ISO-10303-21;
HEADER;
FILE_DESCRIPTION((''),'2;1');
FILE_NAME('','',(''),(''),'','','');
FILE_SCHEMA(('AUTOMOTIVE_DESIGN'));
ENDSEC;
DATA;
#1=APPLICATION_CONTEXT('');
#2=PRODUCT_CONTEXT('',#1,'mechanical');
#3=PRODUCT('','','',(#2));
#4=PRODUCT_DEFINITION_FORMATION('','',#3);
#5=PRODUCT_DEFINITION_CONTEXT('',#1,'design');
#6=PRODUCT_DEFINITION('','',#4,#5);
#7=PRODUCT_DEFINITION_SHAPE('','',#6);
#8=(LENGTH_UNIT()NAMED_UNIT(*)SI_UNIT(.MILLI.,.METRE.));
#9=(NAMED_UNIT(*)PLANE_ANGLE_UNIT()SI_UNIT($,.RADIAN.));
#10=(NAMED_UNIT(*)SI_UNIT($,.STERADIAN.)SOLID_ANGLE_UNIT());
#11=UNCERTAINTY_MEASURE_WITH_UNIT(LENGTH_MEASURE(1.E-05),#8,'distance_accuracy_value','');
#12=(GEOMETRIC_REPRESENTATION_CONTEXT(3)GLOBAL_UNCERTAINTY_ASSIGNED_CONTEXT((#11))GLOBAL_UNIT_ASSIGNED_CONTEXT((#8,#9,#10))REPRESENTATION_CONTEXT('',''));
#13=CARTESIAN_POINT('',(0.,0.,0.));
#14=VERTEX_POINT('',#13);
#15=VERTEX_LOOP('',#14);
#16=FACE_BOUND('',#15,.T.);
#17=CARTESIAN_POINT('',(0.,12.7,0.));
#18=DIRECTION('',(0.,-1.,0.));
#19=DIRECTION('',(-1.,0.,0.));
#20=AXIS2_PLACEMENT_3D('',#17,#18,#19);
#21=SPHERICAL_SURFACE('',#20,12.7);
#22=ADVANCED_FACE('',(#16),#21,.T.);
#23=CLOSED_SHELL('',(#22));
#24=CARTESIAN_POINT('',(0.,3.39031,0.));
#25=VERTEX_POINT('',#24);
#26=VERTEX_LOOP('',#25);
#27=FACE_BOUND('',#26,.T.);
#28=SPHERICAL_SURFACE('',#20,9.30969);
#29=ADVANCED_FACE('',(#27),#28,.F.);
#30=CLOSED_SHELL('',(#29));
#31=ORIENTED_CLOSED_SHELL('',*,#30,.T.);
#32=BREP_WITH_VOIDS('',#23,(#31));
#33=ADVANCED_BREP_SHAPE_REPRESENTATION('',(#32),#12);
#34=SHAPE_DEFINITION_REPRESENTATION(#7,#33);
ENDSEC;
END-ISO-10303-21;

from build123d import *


with BuildPart() as part:
    # Croquis1 → Revolución1 (revolve)
    with BuildSketch(Plane.XY):
        with BuildLine():
            Line((0, 25.4), (0, 22.009690474))
            ThreePointArc((0, 22.009690474), (9.309690474, 12.7), (0, 3.390309526))
            Line((0, 3.390309526), (0, 0))
            ThreePointArc((0, 0), (12.7, 12.7), (0, 25.4))
        make_face()
    revolve(axis=Axis((0, 0, 0), (0, 1, 0)))


solid = part.part
